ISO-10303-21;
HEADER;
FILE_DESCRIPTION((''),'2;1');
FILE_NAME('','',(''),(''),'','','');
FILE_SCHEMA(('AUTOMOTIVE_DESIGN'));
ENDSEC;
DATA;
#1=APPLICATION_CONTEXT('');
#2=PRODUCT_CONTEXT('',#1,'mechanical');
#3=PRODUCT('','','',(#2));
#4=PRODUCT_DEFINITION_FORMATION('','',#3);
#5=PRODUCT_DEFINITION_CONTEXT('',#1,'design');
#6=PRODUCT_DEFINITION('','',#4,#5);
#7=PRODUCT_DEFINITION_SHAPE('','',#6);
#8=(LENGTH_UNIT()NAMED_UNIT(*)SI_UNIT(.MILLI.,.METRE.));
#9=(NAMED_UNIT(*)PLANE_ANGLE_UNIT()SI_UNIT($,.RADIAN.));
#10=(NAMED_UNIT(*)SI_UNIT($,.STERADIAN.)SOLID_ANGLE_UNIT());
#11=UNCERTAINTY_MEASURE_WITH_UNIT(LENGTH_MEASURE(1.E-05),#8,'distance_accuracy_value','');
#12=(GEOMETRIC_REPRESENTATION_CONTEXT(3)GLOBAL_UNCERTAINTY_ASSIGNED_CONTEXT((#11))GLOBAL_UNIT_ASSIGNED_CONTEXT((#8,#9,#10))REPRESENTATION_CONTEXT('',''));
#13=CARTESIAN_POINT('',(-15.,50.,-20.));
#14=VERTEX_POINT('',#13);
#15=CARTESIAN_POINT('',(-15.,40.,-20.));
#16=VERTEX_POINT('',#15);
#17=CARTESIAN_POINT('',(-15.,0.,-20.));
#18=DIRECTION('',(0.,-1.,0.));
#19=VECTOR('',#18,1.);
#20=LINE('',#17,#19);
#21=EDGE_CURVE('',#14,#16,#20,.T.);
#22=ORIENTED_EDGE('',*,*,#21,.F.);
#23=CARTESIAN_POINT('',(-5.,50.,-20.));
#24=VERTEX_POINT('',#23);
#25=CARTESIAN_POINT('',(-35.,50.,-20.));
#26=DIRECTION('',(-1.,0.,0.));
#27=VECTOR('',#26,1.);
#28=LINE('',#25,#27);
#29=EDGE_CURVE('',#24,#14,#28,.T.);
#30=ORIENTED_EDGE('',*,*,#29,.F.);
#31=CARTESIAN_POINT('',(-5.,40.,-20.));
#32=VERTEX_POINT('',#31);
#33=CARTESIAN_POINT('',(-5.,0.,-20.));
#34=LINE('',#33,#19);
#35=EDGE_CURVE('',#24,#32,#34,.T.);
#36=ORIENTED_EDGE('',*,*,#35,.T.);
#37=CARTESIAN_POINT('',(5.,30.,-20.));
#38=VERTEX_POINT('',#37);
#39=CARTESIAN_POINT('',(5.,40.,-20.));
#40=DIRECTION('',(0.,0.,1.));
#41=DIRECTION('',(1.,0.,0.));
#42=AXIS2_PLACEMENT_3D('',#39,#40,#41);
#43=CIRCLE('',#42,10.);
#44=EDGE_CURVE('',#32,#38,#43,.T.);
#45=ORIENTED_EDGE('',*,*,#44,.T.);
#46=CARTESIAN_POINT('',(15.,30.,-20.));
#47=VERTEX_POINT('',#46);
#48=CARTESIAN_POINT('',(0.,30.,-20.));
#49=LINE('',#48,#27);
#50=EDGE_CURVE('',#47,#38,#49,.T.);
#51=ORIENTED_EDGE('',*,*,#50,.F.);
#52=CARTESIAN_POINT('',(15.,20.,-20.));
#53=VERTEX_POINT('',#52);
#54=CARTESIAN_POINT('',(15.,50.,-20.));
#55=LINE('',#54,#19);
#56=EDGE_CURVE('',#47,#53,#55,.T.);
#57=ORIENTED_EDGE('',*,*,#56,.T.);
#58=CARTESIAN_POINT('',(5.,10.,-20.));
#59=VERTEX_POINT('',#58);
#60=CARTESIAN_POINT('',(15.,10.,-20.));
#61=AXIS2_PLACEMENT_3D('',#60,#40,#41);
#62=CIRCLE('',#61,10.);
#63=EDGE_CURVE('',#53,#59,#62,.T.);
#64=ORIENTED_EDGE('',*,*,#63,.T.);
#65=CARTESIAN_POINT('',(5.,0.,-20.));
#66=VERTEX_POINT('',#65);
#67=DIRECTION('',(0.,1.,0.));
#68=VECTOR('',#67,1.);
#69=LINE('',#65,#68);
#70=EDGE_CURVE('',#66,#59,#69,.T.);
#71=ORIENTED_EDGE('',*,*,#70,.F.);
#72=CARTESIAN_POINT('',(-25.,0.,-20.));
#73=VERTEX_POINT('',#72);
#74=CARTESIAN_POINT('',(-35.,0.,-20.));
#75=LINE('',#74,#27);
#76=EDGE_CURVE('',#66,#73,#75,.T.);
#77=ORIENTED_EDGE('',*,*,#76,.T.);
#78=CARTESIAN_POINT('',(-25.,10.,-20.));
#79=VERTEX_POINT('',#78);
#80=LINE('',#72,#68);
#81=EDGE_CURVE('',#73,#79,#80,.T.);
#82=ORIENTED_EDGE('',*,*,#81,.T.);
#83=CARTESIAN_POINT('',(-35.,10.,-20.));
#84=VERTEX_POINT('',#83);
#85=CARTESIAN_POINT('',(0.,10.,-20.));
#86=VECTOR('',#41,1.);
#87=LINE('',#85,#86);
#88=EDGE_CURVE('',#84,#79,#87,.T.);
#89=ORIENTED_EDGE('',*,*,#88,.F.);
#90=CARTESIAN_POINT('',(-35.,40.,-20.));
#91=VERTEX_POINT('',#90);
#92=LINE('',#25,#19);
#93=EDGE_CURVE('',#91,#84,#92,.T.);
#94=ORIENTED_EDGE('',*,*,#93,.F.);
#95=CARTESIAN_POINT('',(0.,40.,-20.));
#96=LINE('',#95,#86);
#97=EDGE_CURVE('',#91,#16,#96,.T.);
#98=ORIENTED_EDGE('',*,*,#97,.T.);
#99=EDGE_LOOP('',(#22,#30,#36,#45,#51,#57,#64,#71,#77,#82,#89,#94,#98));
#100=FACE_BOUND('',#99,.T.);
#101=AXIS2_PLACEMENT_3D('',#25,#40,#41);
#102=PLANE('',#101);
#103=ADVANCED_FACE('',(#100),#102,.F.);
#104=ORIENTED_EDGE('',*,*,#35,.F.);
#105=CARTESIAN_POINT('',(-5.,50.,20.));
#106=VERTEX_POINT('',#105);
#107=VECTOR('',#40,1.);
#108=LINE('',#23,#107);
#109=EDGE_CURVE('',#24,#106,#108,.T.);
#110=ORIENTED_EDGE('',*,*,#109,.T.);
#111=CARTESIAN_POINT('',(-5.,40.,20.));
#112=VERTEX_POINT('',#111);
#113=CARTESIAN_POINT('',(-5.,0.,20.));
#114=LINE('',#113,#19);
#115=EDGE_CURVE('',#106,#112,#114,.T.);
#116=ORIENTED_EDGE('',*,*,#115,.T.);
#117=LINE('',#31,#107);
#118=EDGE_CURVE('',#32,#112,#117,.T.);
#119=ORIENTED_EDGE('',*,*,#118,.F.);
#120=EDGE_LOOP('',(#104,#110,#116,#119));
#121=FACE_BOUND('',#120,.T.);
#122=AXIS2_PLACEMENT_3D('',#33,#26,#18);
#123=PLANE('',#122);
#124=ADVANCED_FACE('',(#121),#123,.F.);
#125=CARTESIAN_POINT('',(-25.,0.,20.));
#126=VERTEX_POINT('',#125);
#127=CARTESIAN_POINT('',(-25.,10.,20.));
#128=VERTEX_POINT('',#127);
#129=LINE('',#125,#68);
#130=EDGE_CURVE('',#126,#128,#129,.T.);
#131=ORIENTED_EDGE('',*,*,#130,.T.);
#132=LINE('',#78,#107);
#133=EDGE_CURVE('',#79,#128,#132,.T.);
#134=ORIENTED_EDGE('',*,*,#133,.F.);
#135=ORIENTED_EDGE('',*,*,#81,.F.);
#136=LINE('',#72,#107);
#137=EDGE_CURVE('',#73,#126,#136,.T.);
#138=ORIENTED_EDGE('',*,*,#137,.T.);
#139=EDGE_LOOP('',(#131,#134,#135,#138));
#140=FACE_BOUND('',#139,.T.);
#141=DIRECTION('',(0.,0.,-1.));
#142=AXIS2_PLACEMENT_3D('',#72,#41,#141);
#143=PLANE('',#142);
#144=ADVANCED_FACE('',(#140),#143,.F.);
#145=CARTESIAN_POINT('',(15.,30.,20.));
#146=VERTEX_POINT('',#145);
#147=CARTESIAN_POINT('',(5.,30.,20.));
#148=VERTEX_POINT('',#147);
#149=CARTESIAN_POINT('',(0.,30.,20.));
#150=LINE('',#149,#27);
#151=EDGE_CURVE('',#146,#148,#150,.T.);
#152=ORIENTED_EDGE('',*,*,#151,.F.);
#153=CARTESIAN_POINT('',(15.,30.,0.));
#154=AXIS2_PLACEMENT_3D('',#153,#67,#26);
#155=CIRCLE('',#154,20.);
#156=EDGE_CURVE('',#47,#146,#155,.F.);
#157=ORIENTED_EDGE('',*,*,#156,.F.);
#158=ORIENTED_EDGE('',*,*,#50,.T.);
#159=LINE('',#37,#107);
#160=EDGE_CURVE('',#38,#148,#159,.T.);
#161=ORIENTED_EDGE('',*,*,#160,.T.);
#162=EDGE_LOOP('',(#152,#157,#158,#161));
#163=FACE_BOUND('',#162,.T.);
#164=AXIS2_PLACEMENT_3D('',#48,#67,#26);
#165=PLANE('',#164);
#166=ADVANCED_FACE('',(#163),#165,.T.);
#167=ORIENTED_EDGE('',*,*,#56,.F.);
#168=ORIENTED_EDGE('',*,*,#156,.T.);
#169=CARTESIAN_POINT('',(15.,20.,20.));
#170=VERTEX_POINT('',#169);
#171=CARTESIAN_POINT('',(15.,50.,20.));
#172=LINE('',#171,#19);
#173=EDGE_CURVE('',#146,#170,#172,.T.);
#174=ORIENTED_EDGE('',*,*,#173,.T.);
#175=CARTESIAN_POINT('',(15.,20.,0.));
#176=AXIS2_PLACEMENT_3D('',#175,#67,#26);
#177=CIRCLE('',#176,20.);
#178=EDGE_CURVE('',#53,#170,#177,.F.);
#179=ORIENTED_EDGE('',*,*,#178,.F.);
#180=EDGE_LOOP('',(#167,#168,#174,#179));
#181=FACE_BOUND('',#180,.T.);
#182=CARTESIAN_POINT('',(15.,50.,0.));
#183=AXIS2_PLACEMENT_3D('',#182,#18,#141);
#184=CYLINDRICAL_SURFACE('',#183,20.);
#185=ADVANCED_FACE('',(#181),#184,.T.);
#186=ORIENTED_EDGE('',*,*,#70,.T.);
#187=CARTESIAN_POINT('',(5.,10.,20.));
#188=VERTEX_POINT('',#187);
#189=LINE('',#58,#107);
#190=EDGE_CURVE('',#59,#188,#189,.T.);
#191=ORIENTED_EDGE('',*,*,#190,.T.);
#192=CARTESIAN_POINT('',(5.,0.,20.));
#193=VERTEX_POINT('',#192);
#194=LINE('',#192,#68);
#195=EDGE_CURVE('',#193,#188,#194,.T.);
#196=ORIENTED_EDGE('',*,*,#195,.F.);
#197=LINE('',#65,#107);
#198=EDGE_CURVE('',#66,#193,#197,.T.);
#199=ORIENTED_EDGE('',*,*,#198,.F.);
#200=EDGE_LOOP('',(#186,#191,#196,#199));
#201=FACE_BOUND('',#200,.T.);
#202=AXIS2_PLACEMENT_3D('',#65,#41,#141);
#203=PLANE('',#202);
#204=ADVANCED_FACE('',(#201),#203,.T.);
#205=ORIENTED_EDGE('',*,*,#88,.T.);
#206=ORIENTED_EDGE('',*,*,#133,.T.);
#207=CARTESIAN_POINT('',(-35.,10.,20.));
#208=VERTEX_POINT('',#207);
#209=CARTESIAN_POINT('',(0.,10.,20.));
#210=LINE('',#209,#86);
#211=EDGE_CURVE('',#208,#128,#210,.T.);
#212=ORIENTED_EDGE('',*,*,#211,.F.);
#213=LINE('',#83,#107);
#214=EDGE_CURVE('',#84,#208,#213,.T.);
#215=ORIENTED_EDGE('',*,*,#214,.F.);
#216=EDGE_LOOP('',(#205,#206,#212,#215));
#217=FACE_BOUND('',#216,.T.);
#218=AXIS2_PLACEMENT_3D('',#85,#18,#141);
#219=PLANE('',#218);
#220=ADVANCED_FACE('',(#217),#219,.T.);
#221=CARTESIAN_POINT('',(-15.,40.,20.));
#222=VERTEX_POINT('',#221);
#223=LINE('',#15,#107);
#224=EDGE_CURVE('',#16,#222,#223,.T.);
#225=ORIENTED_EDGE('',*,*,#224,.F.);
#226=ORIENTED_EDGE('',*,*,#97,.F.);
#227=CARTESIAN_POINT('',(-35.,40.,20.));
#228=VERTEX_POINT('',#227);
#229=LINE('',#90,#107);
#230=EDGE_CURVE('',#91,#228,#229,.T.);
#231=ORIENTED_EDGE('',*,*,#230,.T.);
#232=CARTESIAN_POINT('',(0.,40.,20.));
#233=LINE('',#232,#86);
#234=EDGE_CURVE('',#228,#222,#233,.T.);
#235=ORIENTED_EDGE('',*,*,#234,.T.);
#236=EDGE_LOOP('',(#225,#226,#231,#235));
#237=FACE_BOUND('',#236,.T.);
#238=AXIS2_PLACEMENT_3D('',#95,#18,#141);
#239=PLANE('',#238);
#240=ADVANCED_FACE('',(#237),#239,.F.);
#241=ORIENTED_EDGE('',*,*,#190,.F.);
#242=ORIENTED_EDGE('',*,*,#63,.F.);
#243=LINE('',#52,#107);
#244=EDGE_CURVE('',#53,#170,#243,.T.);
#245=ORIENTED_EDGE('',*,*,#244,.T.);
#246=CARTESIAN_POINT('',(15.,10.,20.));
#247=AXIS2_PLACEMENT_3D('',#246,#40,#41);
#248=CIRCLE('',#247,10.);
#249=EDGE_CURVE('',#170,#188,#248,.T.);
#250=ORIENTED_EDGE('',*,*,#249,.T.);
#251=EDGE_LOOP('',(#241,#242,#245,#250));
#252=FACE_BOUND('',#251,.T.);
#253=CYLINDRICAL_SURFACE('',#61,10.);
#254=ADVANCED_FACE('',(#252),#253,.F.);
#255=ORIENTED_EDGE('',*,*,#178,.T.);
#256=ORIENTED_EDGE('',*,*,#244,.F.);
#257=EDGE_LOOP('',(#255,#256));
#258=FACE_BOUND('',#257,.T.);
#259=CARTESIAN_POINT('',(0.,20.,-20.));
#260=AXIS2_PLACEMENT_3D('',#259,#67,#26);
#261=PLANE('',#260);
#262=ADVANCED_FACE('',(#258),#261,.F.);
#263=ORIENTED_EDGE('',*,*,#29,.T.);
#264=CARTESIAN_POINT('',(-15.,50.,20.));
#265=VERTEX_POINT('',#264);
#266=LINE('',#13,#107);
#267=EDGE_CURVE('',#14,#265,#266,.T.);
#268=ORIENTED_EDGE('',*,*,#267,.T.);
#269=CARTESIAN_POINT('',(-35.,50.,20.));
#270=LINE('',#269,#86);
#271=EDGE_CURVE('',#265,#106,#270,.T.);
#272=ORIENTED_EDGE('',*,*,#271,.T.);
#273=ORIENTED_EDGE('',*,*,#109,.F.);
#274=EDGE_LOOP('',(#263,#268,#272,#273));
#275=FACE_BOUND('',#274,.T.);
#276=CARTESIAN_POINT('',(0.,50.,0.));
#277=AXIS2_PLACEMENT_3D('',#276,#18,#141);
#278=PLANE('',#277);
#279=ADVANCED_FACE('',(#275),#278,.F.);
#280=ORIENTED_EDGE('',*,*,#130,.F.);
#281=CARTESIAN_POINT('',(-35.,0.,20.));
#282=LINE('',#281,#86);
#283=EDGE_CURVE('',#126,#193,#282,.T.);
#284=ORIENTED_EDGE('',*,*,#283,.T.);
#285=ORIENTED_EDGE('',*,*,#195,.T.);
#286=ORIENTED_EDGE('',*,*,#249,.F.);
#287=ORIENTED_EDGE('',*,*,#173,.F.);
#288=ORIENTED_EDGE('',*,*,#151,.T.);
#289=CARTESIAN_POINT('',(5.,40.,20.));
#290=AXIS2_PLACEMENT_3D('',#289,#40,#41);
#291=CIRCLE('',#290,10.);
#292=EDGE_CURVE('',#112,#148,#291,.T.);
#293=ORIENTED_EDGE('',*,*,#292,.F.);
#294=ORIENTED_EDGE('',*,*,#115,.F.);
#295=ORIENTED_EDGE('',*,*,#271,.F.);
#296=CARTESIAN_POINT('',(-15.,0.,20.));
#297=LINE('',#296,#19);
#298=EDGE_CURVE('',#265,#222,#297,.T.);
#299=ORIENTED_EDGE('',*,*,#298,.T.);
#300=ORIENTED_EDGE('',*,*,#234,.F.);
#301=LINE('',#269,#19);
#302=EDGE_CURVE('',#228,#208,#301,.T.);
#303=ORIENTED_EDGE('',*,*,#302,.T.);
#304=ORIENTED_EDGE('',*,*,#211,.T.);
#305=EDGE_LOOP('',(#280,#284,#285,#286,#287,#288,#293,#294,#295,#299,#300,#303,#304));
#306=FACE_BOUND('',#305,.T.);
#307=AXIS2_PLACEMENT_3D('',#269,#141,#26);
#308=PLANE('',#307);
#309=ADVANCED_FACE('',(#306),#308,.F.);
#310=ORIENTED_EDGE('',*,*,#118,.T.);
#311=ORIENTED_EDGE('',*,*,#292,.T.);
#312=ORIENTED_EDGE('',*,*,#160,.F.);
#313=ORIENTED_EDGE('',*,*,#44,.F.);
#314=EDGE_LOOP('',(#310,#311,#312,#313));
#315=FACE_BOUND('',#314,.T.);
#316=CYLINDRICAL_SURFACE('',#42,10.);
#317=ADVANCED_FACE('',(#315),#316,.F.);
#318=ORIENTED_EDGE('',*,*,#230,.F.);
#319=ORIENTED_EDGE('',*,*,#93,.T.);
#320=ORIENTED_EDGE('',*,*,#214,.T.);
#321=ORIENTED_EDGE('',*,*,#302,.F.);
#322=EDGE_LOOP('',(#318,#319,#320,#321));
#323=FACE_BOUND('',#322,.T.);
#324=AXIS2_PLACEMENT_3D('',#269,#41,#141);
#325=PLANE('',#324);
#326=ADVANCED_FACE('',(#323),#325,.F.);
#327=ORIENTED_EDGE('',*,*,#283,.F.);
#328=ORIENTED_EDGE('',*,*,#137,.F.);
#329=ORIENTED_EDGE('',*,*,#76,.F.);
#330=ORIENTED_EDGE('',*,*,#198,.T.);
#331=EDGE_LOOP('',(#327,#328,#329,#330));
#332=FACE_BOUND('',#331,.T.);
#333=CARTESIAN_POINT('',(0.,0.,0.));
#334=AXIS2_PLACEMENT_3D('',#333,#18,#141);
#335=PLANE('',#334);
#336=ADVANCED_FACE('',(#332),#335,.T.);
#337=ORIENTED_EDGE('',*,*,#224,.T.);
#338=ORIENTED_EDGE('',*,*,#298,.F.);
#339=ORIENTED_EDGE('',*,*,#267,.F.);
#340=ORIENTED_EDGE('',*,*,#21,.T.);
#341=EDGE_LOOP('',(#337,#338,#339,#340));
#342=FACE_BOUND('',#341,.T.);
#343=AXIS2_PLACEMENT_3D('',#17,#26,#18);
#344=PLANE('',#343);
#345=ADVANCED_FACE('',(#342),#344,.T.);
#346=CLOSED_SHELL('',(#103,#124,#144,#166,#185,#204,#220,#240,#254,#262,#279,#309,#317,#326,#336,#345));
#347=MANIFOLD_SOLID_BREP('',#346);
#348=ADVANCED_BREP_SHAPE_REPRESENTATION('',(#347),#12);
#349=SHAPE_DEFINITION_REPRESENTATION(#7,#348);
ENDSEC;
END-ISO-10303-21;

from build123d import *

# Parameters (mm, degrees)
SKETCH_2_W               = 70
SKETCH_2_H               = 40
EXTRUDE_1_DEPTH          = 50
SKETCH_3_W               = 20
SKETCH_3_H               = 10
SKETCH_3_W_2             = 10
CUT_EXTRUDE_1_DEPTH      = 41
CUT_EXTRUDE_3_DEPTH      = 51
CUT_EXTRUDE_3_DEPTH_BACK = 1


with BuildPart() as part:
    # 草圖2 → 填料-伸長1 (new body)
    with BuildSketch(Plane(origin=(0, 0, 0), x_dir=(1, 0, 0), z_dir=(0, 1, 0))):
        Rectangle(SKETCH_2_W, SKETCH_2_H)
    extrude(amount=EXTRUDE_1_DEPTH)

    # 草圖3 → 除料-伸長1 (cut, through all)
    with BuildSketch(Plane.XY.offset(20)):
        with Locations((-25, 45)):
            Rectangle(SKETCH_3_W, SKETCH_3_H)
        with BuildLine():
            Line((5, 30), (35, 30))
            Line((35, 30), (35, 50))
            Line((35, 50), (-5, 50))
            Line((-5, 50), (-5, 40))
            ThreePointArc((-5, 40), (-2.071067812, 32.928932188), (5, 30))
        make_face()
        with BuildLine():
            Line((5, 10), (5, 0))
            Line((5, 0), (35, 0))
            Line((35, 0), (35, 20))
            Line((35, 20), (15, 20))
            ThreePointArc((15, 20), (7.928932188, 17.071067812), (5, 10))
        make_face()
        with Locations((-30, 5)):
            Rectangle(SKETCH_3_W_2, SKETCH_3_H)
    extrude(amount=-CUT_EXTRUDE_1_DEPTH, mode=Mode.SUBTRACT)

    # 草圖4 → 除料-伸長3 (cut, two sides)
    with BuildSketch(Plane(origin=(0, 0, 0), x_dir=(1, 0, 0), z_dir=(0, 1, 0))) as cut_extrude_3_sk:
        with BuildLine():
            Line((35, 20), (15, 20))
            ThreePointArc((15, 20), (29.142135624, 14.142135624), (35, 0))
            Line((35, 0), (35, 20))
        make_face()
        with BuildLine():
            Line((35, -20), (35, 0))
            ThreePointArc((35, 0), (29.142135624, -14.142135624), (15, -20))
            Line((15, -20), (35, -20))
        make_face()
    extrude(amount=CUT_EXTRUDE_3_DEPTH, mode=Mode.SUBTRACT)
    extrude(cut_extrude_3_sk.sketch, amount=-CUT_EXTRUDE_3_DEPTH_BACK, mode=Mode.SUBTRACT)


solid = part.part
